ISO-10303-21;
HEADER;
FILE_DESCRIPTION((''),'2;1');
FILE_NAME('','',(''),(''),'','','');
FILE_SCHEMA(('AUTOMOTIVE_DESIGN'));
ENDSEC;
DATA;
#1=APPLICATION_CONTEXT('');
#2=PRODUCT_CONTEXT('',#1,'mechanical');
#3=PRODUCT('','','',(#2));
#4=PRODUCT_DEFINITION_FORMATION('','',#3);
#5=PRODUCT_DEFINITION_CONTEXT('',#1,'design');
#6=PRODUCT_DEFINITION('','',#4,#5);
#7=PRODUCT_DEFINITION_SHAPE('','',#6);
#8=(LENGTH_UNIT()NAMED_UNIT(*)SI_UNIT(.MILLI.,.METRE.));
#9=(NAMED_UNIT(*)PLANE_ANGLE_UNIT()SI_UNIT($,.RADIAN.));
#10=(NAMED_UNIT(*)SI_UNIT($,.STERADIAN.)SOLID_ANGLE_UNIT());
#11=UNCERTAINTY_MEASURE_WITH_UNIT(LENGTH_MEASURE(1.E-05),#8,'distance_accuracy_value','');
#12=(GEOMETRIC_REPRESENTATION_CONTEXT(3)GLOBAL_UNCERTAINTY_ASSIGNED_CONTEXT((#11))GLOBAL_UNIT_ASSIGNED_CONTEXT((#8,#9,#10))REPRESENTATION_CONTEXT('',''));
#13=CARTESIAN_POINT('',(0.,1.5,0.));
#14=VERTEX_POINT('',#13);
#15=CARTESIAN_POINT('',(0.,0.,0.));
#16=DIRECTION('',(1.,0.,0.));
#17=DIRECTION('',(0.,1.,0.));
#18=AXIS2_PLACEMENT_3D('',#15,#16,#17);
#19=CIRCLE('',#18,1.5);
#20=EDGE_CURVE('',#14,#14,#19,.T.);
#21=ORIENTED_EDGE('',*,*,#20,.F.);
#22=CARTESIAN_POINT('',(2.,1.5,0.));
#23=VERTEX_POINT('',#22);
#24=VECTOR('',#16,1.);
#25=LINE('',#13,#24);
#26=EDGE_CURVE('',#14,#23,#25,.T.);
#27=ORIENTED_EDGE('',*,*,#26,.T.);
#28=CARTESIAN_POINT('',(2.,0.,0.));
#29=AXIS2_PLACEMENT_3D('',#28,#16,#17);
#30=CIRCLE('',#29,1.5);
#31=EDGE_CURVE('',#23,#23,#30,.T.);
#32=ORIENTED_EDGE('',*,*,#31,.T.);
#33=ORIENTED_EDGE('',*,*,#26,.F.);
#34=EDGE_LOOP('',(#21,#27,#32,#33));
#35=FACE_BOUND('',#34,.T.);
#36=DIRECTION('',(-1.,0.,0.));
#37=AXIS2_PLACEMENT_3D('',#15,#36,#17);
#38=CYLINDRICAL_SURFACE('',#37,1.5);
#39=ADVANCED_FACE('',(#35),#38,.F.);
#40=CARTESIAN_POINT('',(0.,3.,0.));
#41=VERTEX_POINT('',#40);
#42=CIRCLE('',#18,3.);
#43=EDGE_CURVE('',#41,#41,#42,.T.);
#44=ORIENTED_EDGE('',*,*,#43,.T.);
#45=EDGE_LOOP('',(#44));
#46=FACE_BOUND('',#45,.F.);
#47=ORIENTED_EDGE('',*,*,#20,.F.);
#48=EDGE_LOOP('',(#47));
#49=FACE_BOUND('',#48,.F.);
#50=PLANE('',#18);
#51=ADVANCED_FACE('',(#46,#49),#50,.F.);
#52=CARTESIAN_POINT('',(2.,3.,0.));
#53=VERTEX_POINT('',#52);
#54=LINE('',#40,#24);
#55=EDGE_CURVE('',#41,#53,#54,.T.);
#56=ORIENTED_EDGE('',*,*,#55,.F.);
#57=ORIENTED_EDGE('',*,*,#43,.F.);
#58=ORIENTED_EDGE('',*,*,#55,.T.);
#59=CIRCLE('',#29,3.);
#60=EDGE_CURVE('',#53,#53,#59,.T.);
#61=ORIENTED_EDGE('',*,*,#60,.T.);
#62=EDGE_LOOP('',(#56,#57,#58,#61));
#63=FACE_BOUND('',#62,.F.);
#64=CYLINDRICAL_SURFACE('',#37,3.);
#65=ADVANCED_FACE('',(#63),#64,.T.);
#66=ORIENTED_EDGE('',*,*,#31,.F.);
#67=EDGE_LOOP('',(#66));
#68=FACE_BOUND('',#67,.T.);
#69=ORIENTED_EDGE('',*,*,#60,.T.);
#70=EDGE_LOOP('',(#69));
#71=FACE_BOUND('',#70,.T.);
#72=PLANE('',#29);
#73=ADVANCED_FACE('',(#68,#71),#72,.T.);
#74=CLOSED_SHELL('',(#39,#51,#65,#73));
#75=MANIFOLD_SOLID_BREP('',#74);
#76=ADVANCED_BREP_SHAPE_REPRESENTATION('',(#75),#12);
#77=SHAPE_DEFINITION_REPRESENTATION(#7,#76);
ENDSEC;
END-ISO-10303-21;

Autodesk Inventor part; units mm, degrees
ref_plane "YZ Plane" through (0, 0, 0) normal (1, 0, 0) x (0, 1, 0)
ref_plane "XZ Plane" through (0, 0, 0) normal (0, 1, 0) x (-1, 0, 0)
ref_plane "XY Plane" through (0, 0, 0) normal (0, 0, 1) x (1, 0, 0)
sketch "Sketch1" plane through (0, 0, 0) normal (1, 0, 0) x (0, 1, 0)
  circle A0 centre (0, 0) radius 3
  circle A1 centre (0, 0) radius 1.5
  dimension "d0" = 6
  dimension "d1" = 3
extrude "Extrusion1" add sketch "Sketch1" along normal blind 2
properties part number "Washer_Arduino"
